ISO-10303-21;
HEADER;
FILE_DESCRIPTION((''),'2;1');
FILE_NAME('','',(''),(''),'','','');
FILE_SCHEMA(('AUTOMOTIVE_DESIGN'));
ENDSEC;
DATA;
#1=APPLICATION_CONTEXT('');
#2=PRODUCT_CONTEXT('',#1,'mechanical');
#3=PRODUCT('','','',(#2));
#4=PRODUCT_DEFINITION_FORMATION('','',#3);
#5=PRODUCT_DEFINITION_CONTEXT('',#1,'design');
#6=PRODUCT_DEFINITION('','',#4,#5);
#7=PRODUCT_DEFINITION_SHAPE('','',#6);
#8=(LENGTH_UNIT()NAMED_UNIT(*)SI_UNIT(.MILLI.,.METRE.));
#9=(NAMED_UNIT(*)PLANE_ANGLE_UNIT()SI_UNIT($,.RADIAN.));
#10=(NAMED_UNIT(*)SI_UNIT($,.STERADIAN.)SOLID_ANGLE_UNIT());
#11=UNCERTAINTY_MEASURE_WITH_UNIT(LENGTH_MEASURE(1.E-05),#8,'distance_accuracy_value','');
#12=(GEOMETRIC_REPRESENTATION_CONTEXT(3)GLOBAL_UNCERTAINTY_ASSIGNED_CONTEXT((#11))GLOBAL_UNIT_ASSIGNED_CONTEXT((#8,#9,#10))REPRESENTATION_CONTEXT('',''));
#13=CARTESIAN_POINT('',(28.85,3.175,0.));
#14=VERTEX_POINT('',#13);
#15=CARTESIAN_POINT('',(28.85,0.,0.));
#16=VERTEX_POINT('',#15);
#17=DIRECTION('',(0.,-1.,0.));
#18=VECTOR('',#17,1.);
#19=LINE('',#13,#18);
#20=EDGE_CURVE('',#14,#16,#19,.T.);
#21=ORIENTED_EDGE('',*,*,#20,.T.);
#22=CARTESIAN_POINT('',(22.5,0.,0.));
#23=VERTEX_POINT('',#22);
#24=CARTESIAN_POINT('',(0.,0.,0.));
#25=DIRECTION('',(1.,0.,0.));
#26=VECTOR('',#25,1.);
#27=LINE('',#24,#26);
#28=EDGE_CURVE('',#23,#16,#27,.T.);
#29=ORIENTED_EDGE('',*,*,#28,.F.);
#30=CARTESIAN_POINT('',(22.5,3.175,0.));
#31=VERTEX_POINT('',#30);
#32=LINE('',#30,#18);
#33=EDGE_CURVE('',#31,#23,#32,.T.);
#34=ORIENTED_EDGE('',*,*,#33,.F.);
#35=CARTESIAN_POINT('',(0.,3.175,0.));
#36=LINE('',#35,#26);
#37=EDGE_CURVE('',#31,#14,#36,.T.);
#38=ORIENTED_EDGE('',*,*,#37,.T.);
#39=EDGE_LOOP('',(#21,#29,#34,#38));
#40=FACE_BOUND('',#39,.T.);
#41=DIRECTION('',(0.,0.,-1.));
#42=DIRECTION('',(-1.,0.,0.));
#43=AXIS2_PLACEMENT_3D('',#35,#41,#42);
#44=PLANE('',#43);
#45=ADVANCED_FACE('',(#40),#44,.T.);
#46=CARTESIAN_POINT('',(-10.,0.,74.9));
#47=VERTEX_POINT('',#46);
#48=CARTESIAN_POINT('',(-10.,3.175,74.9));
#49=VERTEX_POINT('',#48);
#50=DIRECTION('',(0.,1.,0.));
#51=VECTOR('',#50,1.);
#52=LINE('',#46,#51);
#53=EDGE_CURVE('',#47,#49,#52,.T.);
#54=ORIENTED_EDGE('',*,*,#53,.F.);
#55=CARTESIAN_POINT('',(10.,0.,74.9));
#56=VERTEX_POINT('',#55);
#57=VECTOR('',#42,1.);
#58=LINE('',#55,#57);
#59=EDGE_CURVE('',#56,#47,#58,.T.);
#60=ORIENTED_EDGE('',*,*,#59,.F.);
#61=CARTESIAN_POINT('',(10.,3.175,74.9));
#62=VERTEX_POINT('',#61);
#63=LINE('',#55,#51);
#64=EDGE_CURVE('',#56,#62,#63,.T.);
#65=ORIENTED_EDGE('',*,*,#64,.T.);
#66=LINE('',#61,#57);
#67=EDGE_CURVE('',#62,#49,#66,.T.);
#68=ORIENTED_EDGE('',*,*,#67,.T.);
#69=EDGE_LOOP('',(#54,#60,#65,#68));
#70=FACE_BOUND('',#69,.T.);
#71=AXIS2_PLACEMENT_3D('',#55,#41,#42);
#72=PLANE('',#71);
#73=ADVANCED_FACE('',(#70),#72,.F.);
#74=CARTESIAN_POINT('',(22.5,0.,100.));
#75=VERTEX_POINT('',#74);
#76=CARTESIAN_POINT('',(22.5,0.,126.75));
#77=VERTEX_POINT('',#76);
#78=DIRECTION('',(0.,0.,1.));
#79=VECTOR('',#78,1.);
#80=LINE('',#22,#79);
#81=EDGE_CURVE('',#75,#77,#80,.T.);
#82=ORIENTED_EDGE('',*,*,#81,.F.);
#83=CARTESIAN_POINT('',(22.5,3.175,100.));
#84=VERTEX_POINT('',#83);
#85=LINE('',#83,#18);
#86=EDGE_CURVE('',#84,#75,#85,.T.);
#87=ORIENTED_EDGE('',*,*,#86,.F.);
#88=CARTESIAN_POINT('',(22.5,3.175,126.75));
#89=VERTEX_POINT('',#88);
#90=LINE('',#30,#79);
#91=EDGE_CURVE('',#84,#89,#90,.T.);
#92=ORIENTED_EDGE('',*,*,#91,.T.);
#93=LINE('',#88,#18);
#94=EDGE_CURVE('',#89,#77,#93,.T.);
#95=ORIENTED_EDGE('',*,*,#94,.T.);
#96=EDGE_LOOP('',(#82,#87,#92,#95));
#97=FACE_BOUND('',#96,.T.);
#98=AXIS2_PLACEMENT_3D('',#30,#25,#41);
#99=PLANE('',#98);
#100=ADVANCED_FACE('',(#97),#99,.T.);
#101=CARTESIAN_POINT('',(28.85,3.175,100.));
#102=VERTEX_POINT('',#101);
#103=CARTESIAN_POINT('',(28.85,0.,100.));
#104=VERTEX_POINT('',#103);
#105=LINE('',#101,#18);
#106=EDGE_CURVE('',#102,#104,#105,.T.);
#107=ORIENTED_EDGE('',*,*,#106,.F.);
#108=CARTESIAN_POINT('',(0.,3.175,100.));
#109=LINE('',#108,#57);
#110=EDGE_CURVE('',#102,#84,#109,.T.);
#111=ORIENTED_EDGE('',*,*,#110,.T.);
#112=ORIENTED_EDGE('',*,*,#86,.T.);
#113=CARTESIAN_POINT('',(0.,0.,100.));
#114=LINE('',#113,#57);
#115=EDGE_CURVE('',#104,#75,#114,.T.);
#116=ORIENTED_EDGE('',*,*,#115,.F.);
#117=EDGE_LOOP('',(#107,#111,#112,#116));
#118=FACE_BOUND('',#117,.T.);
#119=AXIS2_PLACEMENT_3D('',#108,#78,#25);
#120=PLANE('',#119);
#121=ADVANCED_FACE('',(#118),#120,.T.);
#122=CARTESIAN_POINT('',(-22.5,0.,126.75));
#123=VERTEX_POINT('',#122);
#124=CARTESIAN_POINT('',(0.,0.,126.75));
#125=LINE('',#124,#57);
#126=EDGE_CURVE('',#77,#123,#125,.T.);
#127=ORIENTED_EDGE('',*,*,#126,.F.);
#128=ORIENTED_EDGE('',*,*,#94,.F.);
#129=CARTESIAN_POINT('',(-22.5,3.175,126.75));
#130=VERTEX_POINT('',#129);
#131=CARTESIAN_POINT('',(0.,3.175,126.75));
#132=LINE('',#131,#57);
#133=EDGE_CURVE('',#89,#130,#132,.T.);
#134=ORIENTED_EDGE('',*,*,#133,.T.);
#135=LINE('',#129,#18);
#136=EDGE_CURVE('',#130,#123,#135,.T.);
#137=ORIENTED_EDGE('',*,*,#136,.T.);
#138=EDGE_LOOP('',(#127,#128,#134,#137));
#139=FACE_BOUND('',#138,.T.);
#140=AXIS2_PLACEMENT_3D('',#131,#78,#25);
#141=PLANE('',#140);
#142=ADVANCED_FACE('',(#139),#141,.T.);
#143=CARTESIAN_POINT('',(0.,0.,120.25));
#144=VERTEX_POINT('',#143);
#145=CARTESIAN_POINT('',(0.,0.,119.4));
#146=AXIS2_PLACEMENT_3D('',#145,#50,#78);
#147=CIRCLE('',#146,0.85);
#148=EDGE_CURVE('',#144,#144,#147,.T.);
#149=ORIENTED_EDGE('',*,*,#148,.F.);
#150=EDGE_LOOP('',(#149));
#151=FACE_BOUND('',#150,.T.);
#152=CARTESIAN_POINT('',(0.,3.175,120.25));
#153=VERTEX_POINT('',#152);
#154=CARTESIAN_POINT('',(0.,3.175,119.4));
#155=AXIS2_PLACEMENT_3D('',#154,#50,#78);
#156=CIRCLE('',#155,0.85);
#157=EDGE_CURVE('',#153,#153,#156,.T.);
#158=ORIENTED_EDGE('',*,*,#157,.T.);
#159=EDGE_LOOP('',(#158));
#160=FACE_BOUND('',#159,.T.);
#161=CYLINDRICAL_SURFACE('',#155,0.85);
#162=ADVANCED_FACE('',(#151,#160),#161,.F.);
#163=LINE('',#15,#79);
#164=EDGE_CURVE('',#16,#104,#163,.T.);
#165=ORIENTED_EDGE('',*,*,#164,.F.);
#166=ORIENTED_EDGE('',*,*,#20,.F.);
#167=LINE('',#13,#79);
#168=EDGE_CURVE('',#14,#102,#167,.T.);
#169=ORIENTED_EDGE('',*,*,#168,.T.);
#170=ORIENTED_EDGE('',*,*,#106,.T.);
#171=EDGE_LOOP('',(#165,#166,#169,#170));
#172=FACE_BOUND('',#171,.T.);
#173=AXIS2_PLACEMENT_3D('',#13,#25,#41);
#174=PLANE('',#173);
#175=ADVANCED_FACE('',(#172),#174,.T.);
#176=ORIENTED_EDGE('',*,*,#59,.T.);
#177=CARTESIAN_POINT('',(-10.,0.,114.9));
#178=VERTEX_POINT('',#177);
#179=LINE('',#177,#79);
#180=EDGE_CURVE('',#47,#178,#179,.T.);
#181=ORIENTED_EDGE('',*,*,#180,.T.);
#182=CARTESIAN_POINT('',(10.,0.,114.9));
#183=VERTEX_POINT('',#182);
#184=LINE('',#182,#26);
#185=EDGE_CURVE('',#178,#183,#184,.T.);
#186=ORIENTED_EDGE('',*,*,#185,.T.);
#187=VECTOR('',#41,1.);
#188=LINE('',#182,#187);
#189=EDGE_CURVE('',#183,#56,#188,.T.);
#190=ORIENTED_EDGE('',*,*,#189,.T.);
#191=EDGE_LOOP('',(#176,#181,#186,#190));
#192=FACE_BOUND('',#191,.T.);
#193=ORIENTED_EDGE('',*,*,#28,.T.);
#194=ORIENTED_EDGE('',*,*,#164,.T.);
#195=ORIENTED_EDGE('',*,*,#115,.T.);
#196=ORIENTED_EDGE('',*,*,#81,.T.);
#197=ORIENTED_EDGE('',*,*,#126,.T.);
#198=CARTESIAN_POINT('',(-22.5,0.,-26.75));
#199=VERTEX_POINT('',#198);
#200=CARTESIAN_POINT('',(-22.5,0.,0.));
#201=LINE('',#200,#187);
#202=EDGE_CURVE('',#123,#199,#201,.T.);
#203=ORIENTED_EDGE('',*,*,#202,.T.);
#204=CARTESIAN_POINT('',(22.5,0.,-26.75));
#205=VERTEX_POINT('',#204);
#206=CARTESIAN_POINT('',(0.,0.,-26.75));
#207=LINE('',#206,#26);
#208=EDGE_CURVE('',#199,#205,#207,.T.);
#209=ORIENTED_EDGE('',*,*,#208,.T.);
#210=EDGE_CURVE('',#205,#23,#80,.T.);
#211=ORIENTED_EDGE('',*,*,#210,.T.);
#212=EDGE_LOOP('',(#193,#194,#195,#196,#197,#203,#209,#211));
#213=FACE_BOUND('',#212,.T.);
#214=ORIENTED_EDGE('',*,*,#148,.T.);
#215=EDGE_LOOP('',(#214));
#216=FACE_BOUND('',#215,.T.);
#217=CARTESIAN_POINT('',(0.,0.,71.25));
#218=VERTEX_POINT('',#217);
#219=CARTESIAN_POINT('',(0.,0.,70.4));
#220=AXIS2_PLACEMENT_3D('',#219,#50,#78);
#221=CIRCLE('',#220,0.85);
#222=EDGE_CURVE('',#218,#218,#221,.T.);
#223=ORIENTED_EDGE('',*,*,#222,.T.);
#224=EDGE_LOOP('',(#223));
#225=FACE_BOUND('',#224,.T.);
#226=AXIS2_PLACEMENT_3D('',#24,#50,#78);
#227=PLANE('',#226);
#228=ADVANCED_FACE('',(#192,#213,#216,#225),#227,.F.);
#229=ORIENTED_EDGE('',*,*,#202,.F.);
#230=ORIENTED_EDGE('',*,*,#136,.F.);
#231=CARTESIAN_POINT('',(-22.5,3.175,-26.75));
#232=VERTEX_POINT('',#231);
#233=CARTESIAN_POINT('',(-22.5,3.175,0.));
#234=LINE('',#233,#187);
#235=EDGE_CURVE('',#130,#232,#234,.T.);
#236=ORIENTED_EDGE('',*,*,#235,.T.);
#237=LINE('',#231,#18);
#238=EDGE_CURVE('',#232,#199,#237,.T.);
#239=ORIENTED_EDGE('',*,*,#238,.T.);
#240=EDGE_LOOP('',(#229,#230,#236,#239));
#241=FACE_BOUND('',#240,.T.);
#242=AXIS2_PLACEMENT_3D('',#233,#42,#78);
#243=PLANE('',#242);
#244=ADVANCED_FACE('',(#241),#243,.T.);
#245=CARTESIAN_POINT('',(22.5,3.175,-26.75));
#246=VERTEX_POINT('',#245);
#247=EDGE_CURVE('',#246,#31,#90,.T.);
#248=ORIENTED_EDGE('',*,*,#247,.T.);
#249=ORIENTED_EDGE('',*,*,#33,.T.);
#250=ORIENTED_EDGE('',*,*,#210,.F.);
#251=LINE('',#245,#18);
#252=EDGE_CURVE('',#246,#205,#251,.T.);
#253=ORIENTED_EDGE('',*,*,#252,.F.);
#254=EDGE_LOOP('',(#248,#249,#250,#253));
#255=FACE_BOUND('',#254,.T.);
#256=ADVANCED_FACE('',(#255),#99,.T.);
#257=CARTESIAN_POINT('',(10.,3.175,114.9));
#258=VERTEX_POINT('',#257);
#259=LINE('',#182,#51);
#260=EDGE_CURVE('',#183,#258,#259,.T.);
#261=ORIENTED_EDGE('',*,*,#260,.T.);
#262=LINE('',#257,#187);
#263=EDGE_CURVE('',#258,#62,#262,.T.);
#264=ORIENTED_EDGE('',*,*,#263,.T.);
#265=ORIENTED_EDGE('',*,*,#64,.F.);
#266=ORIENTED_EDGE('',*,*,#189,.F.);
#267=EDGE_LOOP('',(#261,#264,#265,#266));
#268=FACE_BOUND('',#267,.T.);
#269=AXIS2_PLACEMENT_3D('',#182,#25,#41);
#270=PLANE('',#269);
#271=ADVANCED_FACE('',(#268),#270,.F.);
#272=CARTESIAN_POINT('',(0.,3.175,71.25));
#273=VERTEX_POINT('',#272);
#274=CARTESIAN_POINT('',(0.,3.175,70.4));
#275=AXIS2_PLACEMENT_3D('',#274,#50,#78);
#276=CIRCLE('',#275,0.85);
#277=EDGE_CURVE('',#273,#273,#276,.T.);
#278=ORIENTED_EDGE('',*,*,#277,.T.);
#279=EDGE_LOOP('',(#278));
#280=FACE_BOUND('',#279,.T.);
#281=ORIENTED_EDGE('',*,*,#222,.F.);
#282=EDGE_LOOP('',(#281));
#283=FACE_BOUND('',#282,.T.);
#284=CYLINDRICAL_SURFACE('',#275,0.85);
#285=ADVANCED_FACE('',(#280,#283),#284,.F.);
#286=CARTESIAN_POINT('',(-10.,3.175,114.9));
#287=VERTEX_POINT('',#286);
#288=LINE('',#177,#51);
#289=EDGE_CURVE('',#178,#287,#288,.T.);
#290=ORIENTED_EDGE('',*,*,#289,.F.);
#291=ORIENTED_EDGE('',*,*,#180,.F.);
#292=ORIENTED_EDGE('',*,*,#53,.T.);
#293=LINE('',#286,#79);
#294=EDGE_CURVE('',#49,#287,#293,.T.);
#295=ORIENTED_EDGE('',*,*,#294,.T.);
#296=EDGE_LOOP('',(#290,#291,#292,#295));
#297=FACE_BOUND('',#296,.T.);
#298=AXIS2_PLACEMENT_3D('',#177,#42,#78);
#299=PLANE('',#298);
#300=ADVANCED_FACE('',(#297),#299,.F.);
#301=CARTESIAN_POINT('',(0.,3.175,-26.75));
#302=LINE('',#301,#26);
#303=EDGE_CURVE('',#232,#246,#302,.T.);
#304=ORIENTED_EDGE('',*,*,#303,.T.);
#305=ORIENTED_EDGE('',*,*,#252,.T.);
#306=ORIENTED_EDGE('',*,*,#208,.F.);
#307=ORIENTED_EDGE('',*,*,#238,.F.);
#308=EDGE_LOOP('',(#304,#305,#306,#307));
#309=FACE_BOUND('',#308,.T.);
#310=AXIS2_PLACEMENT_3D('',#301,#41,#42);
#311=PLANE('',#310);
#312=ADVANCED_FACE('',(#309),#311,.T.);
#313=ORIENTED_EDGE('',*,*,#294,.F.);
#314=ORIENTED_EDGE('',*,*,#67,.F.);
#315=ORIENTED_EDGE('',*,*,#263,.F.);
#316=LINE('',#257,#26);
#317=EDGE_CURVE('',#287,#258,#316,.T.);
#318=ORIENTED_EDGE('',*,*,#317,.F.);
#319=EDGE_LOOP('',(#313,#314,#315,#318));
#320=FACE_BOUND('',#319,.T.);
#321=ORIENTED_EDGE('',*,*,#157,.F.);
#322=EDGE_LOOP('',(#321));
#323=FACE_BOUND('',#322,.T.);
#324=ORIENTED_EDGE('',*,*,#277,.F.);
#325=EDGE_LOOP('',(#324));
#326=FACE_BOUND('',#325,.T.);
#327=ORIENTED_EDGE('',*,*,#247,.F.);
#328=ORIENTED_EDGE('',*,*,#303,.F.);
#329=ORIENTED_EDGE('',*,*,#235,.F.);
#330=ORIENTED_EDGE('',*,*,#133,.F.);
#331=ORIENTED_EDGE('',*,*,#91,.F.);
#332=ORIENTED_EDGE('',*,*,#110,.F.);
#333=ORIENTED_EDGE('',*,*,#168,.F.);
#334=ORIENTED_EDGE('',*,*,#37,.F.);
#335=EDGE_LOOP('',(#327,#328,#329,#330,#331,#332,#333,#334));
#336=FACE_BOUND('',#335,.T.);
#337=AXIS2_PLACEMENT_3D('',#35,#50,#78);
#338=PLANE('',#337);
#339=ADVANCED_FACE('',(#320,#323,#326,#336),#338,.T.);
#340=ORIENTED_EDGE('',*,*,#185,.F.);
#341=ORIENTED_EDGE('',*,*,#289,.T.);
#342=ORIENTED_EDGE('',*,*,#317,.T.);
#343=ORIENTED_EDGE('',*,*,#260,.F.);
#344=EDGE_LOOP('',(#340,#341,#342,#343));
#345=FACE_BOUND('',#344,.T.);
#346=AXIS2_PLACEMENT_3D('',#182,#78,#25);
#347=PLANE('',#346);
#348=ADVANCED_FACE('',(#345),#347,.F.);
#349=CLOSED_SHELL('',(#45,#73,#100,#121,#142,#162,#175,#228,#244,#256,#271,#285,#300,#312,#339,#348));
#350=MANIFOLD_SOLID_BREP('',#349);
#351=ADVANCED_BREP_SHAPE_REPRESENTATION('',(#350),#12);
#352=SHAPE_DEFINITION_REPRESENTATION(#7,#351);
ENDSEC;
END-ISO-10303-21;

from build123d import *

# Parameters (mm, degrees)
BOSS_EXTRUDE1_DEPTH    = 3.175
SKETCH3_W              = 20
SKETCH3_H              = 40
CUT_EXTRUDE1_DEPTH     = 131.03063341
M1_6_CLEARANCE_HOLE1_D = 1.7


with BuildPart() as part:
    # Sketch1 → Boss-Extrude1 (new body)
    with BuildSketch(Plane(origin=(0, 0, 0), x_dir=(1, 0, 0), z_dir=(0, 1, 0))):
        Polygon((-22.5, 0), (-22.5, 26.75), (22.5, 26.75), (22.5, 0), (28.85, 0), (28.85, -100), (22.5, -100), (22.5, -126.75), (-22.5, -126.75), (-22.5, -100), align=None)
    extrude(amount=BOSS_EXTRUDE1_DEPTH)

    # Sketch3 → Cut-Extrude1 (cut, through all)
    with BuildSketch(Plane(origin=(0, 3.175, 0), x_dir=(1, 0, 0), z_dir=(0, 1, 0))):
        with Locations((0, -94.9)):
            Rectangle(SKETCH3_W, SKETCH3_H)
    extrude(amount=-CUT_EXTRUDE1_DEPTH, mode=Mode.SUBTRACT)

    # M1.6 Clearance Hole1 (through all)
    with Locations(Plane(origin=(0, 3.175, 0), x_dir=(1, 0, 0), z_dir=(0, 1, 0))):
        with Locations((0, -70.4), (0, -119.4)):
            Hole(M1_6_CLEARANCE_HOLE1_D / 2)


solid = part.part
